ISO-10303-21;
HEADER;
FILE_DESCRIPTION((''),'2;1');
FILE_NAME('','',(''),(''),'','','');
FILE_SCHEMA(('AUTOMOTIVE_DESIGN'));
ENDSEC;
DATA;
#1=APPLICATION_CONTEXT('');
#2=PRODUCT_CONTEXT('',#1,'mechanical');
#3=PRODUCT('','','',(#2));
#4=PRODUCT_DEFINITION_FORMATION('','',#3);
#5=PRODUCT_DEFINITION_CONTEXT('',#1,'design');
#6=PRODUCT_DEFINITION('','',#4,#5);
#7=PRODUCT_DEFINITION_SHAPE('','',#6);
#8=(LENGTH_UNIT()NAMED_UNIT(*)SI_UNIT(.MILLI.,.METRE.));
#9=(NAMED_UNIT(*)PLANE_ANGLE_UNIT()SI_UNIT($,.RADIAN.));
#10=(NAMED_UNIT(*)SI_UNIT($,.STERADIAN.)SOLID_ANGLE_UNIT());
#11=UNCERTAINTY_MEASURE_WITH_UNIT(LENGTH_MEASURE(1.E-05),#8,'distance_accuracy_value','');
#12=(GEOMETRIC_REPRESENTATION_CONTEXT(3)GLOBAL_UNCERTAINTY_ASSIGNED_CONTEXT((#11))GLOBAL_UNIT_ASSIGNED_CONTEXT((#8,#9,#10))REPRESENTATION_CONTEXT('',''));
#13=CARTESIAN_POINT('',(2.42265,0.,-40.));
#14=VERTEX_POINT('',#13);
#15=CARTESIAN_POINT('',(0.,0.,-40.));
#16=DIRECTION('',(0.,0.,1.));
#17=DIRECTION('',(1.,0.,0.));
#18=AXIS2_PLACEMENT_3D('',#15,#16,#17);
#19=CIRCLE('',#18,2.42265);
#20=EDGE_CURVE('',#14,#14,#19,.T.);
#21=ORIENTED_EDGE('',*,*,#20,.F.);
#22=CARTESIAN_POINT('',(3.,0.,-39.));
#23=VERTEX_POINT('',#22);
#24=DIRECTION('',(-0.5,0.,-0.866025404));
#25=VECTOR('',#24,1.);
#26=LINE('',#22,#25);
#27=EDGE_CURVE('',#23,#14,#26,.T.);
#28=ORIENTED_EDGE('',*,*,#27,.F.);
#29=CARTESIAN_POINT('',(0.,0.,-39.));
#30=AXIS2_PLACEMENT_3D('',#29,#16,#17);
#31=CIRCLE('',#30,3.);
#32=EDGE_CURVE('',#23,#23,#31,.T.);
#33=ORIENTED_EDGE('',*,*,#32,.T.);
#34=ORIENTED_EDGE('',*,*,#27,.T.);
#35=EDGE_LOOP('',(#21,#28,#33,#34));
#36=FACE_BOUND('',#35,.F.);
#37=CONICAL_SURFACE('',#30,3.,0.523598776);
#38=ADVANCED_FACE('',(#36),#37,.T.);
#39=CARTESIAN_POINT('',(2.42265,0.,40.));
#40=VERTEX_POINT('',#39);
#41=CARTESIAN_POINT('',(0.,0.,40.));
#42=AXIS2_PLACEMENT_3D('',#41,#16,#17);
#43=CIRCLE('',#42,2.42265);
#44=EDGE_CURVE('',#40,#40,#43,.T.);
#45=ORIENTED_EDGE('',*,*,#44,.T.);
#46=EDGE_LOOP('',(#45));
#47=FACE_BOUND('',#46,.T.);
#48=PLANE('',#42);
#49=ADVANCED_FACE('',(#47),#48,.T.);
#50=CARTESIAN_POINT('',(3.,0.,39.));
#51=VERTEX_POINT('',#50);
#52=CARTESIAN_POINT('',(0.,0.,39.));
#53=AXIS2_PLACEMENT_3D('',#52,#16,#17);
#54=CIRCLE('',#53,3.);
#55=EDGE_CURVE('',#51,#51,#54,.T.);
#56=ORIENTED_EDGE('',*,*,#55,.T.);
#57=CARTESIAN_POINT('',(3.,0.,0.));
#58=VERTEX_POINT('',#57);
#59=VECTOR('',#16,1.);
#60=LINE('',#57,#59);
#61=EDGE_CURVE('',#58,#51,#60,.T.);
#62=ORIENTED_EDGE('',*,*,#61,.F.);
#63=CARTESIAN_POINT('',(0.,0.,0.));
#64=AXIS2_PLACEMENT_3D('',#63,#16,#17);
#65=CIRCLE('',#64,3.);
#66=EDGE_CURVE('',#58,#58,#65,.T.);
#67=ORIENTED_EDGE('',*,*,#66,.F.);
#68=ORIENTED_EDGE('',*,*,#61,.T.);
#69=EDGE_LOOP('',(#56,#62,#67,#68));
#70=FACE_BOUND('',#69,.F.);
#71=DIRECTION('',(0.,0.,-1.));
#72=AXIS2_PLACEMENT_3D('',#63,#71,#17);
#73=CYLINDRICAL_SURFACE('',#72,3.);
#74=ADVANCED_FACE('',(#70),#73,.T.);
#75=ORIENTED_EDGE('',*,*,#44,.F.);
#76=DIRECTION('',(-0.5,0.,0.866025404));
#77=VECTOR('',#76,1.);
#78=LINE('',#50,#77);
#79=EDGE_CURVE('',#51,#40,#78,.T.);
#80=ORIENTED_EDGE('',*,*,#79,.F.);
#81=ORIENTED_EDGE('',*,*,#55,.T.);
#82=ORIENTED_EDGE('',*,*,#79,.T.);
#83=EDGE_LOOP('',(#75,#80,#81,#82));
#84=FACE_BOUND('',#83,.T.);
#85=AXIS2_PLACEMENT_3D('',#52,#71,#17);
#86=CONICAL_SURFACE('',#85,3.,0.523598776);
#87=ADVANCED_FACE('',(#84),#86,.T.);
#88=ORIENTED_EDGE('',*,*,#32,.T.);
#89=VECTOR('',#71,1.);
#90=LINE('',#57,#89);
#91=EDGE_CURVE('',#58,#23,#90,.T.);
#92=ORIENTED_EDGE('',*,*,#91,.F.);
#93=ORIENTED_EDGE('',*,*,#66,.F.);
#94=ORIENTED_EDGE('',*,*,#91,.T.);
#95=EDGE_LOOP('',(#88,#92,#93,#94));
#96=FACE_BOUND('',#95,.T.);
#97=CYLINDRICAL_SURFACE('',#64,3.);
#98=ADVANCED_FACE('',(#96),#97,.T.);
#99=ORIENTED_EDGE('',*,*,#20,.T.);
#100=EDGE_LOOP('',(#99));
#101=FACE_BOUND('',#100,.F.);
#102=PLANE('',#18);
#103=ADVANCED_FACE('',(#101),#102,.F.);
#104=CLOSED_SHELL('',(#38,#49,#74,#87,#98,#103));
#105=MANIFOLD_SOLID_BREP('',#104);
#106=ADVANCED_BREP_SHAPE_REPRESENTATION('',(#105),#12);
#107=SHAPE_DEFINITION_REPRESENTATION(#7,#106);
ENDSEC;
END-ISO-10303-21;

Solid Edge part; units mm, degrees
sketch "Sketch1" plane through (0, 0, 0) normal (0, 0, 1) x (1, 0, 0)
  circle A0 centre (0, 0) radius 3
  dimension "D1" = 6
extrude "Protrusion1" add sketch "Sketch1" along normal mid plane 80
chamfer "chamfers" distance 1 angle 30 2 edges at (-3, 0, 40) (-3, 0, -40) measured on face at (1.6602, 2.4988, 32.9333) measured on face at (1.6602, 2.4988, -32.9333)
properties material "Stainless steel"
